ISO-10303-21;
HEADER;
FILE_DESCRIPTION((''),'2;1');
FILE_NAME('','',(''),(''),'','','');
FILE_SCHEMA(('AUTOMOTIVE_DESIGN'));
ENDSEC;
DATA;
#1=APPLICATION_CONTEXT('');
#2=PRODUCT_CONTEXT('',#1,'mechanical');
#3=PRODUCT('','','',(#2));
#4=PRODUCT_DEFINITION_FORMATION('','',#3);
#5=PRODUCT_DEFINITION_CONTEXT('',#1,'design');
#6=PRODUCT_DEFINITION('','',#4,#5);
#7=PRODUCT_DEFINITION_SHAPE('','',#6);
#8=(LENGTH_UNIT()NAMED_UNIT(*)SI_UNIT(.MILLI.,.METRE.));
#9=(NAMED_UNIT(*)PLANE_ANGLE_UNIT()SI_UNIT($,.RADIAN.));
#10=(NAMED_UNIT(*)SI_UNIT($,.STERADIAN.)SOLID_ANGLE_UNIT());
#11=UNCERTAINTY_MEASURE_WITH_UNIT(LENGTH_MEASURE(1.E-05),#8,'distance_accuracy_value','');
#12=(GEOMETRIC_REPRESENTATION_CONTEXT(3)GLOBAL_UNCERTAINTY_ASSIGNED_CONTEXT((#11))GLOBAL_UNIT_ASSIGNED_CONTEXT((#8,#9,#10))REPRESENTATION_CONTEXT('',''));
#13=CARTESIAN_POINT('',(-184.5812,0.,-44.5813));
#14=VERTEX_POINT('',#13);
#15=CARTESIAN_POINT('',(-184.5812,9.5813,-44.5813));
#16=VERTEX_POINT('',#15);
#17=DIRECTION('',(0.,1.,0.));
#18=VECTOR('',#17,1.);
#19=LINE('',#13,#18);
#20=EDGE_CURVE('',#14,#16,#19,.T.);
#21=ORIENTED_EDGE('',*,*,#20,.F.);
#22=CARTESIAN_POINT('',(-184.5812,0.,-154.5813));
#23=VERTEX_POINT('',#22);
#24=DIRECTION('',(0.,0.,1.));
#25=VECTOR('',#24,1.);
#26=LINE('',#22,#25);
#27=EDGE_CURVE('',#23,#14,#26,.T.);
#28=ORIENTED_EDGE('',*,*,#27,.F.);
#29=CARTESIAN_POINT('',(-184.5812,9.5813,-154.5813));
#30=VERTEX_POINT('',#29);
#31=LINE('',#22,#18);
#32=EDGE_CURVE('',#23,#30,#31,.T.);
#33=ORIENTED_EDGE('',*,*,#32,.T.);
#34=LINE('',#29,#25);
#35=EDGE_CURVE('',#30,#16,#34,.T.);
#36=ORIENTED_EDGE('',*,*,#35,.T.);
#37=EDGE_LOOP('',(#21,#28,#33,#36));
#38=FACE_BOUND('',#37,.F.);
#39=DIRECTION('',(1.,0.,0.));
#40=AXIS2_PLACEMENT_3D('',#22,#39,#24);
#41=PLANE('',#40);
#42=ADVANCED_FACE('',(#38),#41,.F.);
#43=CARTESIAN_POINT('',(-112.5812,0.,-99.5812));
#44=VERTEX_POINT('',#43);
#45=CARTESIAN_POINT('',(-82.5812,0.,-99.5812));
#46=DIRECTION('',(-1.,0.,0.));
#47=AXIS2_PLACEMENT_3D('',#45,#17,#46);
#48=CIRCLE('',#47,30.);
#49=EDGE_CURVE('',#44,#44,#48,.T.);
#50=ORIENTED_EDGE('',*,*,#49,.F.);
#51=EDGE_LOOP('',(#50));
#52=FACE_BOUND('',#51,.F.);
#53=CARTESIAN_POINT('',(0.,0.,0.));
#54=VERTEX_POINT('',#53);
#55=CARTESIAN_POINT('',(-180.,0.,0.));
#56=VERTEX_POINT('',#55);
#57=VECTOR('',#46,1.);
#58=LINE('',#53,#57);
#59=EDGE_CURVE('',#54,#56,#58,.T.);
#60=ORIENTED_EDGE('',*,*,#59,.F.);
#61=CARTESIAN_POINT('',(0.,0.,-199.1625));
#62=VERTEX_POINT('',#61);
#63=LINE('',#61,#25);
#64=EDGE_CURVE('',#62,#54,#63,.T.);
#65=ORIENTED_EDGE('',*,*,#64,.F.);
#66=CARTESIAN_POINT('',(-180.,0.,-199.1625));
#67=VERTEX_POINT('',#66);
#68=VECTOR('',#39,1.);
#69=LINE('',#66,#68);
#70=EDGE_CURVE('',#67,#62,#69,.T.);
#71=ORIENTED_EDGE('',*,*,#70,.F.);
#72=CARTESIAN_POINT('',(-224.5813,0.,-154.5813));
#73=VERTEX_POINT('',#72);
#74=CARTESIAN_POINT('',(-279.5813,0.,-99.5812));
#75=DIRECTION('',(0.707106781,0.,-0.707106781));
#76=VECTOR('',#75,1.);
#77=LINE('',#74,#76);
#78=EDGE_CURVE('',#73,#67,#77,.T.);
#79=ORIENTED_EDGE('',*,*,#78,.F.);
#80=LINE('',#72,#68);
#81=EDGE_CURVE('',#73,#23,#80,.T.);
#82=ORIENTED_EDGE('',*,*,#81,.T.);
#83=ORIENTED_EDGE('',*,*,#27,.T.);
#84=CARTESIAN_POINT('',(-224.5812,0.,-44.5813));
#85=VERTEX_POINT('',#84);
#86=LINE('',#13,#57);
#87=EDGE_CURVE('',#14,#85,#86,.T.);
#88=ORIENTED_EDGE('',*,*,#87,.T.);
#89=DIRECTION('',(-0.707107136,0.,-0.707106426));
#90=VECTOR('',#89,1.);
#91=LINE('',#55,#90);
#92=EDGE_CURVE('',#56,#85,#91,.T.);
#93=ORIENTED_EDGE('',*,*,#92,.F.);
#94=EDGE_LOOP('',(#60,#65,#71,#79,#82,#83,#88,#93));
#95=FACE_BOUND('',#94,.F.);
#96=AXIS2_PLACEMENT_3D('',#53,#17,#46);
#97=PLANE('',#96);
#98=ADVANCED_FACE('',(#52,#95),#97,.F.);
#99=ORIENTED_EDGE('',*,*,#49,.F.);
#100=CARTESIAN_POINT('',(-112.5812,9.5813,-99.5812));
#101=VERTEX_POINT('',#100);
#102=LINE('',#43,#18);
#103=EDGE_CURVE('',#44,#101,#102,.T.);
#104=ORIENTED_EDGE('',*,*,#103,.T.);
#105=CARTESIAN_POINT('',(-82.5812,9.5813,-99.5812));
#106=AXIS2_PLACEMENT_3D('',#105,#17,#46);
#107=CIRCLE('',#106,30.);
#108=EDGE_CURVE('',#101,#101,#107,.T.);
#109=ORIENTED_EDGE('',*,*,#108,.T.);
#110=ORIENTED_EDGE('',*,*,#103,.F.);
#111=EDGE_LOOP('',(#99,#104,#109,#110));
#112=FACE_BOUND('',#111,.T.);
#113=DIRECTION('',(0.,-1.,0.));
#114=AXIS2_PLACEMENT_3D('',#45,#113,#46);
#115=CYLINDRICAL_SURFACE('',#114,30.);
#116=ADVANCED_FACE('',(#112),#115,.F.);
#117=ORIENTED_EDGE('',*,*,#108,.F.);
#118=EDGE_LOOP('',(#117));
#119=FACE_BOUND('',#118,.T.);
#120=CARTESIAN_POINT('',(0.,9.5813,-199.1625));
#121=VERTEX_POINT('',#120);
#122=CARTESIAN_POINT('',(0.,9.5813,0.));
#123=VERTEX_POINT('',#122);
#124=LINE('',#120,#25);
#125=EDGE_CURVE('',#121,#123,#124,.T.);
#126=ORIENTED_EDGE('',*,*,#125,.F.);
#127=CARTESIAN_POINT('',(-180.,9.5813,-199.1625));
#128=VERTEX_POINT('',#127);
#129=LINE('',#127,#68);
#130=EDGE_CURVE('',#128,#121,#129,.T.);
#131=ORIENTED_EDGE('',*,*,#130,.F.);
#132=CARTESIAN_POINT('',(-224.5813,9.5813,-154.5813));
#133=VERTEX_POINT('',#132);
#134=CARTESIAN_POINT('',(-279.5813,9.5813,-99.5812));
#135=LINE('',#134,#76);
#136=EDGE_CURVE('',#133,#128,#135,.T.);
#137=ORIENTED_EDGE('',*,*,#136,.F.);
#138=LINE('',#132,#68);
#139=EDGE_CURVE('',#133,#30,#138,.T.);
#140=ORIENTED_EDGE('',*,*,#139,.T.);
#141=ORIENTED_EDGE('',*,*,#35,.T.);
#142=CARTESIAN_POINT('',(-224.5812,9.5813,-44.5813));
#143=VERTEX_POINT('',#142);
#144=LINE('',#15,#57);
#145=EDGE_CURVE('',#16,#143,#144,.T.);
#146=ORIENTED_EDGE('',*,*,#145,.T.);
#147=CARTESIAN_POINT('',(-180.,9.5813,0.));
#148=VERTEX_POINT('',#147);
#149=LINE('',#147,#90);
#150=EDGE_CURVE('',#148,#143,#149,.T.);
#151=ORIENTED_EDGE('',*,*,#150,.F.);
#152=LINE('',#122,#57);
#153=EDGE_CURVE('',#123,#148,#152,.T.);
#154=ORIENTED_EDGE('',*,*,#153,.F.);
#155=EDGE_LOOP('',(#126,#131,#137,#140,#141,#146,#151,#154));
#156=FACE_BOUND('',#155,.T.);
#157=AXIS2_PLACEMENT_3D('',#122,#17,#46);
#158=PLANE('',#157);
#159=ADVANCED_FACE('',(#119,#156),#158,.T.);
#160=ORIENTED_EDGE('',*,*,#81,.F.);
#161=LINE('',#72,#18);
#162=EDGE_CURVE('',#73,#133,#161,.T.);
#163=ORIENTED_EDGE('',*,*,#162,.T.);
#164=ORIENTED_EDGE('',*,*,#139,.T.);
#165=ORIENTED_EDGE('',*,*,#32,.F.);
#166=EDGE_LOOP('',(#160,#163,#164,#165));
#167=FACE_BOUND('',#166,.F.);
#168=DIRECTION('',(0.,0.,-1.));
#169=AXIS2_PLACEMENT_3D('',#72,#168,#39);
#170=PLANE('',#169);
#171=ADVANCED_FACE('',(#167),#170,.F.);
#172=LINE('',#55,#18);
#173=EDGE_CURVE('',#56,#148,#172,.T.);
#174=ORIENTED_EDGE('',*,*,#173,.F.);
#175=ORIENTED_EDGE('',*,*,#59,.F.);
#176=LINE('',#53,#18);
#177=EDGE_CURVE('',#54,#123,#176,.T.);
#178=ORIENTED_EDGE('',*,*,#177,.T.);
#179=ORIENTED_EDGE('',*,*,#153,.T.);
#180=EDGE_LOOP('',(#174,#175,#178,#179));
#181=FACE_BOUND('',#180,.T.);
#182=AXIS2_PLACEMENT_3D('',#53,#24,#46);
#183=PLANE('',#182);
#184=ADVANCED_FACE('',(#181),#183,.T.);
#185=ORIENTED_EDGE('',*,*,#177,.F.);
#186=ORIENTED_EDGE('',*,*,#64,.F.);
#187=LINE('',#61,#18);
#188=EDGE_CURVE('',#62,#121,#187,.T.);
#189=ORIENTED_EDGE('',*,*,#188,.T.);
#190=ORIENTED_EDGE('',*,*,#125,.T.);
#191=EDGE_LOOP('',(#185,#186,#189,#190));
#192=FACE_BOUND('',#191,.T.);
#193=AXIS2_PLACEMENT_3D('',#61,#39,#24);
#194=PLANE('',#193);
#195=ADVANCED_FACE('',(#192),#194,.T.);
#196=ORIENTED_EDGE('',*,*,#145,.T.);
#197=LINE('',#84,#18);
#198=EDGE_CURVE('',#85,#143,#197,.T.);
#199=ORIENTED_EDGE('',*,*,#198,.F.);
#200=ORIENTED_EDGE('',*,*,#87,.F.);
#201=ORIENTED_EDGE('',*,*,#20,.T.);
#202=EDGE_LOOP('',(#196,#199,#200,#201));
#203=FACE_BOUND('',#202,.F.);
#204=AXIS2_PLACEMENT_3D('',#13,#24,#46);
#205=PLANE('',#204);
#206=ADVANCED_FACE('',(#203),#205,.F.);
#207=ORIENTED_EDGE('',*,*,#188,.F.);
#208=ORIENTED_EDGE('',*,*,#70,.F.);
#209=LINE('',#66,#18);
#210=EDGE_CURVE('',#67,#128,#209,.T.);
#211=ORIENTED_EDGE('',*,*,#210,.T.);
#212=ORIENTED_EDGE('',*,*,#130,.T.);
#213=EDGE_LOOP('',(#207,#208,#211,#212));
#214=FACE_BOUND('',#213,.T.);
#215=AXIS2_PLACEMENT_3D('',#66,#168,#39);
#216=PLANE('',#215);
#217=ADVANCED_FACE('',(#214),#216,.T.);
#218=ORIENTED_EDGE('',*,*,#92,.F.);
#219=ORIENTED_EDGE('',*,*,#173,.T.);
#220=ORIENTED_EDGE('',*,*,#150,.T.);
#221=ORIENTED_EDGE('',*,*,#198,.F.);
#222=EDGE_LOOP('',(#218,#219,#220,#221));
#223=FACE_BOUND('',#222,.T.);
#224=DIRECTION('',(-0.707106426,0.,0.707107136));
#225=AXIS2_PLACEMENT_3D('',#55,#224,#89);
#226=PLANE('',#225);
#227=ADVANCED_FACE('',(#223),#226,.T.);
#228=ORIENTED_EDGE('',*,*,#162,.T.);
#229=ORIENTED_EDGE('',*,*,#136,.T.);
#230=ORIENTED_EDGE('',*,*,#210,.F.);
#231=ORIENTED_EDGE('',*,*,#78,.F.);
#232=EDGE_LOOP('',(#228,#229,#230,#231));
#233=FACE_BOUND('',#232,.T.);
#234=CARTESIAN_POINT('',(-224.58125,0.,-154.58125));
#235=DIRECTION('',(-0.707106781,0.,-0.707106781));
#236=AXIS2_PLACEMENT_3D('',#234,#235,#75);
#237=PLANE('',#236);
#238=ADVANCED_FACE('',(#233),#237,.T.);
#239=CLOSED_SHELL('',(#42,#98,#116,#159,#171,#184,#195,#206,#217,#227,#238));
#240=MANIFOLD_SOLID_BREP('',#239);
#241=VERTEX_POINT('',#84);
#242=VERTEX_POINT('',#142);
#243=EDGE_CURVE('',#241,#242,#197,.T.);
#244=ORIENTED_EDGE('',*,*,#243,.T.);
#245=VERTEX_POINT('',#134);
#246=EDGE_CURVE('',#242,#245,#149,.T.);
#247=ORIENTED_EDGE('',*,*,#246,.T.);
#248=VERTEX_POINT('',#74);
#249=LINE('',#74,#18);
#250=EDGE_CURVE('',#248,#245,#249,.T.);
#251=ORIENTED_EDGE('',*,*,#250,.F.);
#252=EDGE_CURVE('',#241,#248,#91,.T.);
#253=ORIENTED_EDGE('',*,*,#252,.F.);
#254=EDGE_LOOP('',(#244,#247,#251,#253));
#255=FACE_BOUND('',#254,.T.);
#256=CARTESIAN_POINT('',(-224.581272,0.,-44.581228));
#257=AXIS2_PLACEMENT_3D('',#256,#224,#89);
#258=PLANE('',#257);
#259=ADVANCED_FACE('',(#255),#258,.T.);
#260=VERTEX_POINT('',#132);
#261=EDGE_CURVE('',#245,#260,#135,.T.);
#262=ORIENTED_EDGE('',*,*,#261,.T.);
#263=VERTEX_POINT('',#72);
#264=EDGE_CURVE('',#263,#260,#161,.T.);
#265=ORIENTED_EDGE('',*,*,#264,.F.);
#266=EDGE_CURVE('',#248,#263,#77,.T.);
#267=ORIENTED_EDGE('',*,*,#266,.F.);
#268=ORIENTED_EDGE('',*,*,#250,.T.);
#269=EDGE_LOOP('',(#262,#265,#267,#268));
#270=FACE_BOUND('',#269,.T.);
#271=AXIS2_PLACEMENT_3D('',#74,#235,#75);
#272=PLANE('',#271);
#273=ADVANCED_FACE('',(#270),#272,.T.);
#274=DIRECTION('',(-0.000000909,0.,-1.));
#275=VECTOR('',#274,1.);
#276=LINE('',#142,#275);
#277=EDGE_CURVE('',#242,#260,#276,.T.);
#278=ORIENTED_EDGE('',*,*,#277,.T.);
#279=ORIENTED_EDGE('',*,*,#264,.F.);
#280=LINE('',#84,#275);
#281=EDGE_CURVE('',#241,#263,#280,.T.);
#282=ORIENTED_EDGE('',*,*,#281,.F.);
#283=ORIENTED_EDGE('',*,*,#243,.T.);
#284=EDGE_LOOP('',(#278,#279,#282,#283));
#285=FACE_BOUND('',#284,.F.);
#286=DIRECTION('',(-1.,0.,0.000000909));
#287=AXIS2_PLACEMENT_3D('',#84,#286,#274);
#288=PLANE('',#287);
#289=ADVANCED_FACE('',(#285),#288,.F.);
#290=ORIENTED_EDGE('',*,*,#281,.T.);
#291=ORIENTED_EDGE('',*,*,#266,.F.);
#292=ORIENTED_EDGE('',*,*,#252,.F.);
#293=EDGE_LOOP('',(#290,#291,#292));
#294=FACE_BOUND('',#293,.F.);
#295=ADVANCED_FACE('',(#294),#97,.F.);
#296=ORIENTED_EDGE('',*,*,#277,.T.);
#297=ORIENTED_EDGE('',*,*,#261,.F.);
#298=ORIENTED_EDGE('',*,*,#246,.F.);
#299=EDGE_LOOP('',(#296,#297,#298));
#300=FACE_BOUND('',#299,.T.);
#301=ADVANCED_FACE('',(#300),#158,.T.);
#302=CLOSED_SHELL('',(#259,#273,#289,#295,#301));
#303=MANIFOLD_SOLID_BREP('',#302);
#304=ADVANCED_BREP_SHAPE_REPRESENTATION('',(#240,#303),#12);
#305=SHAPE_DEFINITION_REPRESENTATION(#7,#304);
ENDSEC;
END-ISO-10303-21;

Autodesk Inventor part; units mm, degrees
ref_plane "YZ Plane" through (0, 0, 0) normal (1, 0, 0) x (0, 1, 0)
ref_plane "XZ Plane" through (0, 0, 0) normal (0, 1, 0) x (-1, 0, 0)
sketch "Sketch1" plane through (0, 0, 0) normal (0, 1, 0) x (-1, 0, 0)
  line L0 (0, 0) -> (180, 0)
  line L1 (180, 0) -> (180, -199.1625)
  line L2 (180, -199.1625) -> (0, -199.1625)
  line L3 (0, -199.1625) -> (0, 0)
  line L4 (180, 0) -> (279.5813, -99.5812)
  line L5 (279.5813, -99.5812) -> (180, -199.1625)
  circle A0 centre (82.5812, -99.5812) radius 30
  line L6 (224.5813, -154.5813) -> (184.5812, -154.5813)
  line L7 (184.5812, -154.5813) -> (184.5812, -44.5813)
  line L8 (184.5812, -44.5813) -> (224.5812, -44.5813)
  line L9 (224.5812, -44.5813) -> (224.5813, -154.5813)
  dimension "d0" = 199.1625
  dimension "d1" = 180
  dimension "d2" = 135
  dimension "d3" = 60
  dimension "d4" = 82.5812
  dimension "d5" = 99.5812
  dimension "d14" = 40
  dimension "d15" = 110
extrude "Extrusion1" add sketch "Sketch1" along normal blind 9.5813 contours L0 L1 L2 L3 | L4 L8 L7 L6 L5 L1 | L4 L5 L9
ref_plane "Work Plane1" through (-180, 0, -99.5812) normal (0, 0, 1) x (1, 0, 0)
equation "\"d5\" = 0.5 * d0"
properties part number "front wall" material "Pine"
